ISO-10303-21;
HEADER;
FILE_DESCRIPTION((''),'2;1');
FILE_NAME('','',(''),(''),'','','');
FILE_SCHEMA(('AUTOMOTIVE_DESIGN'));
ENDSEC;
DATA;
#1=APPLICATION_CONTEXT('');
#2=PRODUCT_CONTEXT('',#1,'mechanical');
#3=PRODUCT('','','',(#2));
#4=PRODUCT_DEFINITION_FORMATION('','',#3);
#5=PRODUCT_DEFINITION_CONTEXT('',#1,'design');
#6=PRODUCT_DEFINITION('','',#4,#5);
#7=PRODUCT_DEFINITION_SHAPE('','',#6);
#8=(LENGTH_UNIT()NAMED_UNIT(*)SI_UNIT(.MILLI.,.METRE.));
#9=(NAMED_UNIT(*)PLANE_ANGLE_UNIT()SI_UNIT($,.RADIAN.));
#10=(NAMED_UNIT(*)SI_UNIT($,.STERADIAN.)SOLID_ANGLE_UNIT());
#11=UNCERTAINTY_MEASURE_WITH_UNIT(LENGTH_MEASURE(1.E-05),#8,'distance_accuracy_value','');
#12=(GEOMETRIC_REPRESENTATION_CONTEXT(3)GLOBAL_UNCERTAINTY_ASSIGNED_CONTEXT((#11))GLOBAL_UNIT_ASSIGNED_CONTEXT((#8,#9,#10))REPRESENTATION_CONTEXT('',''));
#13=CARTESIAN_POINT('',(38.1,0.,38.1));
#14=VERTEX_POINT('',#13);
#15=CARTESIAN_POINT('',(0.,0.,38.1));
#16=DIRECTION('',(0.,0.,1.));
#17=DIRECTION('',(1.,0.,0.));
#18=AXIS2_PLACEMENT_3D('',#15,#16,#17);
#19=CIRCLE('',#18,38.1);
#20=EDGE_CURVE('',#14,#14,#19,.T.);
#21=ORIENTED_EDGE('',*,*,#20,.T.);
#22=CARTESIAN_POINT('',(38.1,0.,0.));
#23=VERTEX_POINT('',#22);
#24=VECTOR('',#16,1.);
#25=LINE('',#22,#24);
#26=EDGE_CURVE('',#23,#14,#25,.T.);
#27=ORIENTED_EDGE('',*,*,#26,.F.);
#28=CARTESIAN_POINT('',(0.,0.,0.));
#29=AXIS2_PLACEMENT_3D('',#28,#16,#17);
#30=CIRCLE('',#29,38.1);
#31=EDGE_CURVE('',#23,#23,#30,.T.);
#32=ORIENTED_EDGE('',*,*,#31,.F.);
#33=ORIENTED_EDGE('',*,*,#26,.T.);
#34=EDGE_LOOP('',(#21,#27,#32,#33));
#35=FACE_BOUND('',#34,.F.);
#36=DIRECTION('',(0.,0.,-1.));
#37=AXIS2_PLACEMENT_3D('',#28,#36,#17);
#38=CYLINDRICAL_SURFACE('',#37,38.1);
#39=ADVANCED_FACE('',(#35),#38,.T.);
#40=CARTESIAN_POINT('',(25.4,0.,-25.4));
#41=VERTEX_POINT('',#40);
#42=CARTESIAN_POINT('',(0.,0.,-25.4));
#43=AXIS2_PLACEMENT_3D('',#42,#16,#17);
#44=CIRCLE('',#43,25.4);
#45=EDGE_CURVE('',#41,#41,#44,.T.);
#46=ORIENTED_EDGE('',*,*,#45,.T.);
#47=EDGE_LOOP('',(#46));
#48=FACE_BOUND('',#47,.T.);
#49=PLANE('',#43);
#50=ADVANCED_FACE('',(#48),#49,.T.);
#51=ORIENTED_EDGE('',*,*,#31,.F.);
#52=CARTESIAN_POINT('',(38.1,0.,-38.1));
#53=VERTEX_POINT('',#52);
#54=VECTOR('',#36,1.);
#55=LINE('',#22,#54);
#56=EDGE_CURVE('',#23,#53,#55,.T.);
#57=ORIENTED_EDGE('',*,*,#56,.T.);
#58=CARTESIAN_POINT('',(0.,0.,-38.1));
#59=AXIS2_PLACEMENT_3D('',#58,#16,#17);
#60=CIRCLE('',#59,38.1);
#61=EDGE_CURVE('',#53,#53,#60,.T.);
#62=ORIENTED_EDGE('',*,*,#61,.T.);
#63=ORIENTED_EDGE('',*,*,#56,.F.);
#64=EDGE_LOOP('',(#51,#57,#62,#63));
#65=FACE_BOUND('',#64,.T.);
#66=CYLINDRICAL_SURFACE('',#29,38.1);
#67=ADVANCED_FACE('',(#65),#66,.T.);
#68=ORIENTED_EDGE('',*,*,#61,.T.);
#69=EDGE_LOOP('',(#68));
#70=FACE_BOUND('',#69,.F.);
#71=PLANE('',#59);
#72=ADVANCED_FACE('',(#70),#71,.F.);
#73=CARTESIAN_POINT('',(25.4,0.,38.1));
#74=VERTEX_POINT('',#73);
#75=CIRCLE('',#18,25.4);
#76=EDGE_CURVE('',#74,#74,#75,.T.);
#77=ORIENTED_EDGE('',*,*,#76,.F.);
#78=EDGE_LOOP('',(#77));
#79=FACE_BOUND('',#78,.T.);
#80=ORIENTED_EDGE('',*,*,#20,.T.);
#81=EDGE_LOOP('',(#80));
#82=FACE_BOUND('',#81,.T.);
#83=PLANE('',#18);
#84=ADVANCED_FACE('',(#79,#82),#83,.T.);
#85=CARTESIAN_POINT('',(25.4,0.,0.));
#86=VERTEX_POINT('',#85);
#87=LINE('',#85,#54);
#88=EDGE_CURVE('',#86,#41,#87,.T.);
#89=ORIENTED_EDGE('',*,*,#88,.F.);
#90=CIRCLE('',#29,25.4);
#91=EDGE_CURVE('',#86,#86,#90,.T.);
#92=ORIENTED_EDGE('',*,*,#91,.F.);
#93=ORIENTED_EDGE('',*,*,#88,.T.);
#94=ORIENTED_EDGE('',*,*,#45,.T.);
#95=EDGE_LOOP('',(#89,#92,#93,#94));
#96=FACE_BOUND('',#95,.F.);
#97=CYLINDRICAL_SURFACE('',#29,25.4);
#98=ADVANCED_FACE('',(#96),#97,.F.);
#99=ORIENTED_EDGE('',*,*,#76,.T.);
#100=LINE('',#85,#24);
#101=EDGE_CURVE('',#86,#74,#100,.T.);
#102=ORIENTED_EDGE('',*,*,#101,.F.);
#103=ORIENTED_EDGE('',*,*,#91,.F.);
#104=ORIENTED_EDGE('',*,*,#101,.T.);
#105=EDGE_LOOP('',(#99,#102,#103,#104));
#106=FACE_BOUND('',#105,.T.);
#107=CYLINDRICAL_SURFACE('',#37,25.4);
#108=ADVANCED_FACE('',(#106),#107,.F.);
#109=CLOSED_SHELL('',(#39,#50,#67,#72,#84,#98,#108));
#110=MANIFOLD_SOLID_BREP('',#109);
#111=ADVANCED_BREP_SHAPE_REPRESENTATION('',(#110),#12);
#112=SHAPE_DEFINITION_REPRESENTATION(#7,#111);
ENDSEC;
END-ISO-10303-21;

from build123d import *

# Parameters (mm, degrees)
F0_R      = 38.1
F1_DEPTH  = 38.1
F1_FACE_R = 38.1
F2_DEPTH  = 38.1
F3_T      = -12.7


with BuildPart() as f1:
    # F0 (on Top) → F1 (new body)
    with BuildSketch(Plane.XY):
        Circle(F0_R)
    extrude(amount=-F1_DEPTH)

    # F1_face (on face) → F2 (join)
    with BuildSketch(Plane.XY):
        Circle(F1_FACE_R)
    extrude(amount=F2_DEPTH)

    # F3
    f3_openings = [f1.faces().sort_by_distance(p)[0] for p in [
        (0, 0, 38.1),
    ]]
    offset(amount=F3_T, openings=f3_openings)


solid = f1.part
